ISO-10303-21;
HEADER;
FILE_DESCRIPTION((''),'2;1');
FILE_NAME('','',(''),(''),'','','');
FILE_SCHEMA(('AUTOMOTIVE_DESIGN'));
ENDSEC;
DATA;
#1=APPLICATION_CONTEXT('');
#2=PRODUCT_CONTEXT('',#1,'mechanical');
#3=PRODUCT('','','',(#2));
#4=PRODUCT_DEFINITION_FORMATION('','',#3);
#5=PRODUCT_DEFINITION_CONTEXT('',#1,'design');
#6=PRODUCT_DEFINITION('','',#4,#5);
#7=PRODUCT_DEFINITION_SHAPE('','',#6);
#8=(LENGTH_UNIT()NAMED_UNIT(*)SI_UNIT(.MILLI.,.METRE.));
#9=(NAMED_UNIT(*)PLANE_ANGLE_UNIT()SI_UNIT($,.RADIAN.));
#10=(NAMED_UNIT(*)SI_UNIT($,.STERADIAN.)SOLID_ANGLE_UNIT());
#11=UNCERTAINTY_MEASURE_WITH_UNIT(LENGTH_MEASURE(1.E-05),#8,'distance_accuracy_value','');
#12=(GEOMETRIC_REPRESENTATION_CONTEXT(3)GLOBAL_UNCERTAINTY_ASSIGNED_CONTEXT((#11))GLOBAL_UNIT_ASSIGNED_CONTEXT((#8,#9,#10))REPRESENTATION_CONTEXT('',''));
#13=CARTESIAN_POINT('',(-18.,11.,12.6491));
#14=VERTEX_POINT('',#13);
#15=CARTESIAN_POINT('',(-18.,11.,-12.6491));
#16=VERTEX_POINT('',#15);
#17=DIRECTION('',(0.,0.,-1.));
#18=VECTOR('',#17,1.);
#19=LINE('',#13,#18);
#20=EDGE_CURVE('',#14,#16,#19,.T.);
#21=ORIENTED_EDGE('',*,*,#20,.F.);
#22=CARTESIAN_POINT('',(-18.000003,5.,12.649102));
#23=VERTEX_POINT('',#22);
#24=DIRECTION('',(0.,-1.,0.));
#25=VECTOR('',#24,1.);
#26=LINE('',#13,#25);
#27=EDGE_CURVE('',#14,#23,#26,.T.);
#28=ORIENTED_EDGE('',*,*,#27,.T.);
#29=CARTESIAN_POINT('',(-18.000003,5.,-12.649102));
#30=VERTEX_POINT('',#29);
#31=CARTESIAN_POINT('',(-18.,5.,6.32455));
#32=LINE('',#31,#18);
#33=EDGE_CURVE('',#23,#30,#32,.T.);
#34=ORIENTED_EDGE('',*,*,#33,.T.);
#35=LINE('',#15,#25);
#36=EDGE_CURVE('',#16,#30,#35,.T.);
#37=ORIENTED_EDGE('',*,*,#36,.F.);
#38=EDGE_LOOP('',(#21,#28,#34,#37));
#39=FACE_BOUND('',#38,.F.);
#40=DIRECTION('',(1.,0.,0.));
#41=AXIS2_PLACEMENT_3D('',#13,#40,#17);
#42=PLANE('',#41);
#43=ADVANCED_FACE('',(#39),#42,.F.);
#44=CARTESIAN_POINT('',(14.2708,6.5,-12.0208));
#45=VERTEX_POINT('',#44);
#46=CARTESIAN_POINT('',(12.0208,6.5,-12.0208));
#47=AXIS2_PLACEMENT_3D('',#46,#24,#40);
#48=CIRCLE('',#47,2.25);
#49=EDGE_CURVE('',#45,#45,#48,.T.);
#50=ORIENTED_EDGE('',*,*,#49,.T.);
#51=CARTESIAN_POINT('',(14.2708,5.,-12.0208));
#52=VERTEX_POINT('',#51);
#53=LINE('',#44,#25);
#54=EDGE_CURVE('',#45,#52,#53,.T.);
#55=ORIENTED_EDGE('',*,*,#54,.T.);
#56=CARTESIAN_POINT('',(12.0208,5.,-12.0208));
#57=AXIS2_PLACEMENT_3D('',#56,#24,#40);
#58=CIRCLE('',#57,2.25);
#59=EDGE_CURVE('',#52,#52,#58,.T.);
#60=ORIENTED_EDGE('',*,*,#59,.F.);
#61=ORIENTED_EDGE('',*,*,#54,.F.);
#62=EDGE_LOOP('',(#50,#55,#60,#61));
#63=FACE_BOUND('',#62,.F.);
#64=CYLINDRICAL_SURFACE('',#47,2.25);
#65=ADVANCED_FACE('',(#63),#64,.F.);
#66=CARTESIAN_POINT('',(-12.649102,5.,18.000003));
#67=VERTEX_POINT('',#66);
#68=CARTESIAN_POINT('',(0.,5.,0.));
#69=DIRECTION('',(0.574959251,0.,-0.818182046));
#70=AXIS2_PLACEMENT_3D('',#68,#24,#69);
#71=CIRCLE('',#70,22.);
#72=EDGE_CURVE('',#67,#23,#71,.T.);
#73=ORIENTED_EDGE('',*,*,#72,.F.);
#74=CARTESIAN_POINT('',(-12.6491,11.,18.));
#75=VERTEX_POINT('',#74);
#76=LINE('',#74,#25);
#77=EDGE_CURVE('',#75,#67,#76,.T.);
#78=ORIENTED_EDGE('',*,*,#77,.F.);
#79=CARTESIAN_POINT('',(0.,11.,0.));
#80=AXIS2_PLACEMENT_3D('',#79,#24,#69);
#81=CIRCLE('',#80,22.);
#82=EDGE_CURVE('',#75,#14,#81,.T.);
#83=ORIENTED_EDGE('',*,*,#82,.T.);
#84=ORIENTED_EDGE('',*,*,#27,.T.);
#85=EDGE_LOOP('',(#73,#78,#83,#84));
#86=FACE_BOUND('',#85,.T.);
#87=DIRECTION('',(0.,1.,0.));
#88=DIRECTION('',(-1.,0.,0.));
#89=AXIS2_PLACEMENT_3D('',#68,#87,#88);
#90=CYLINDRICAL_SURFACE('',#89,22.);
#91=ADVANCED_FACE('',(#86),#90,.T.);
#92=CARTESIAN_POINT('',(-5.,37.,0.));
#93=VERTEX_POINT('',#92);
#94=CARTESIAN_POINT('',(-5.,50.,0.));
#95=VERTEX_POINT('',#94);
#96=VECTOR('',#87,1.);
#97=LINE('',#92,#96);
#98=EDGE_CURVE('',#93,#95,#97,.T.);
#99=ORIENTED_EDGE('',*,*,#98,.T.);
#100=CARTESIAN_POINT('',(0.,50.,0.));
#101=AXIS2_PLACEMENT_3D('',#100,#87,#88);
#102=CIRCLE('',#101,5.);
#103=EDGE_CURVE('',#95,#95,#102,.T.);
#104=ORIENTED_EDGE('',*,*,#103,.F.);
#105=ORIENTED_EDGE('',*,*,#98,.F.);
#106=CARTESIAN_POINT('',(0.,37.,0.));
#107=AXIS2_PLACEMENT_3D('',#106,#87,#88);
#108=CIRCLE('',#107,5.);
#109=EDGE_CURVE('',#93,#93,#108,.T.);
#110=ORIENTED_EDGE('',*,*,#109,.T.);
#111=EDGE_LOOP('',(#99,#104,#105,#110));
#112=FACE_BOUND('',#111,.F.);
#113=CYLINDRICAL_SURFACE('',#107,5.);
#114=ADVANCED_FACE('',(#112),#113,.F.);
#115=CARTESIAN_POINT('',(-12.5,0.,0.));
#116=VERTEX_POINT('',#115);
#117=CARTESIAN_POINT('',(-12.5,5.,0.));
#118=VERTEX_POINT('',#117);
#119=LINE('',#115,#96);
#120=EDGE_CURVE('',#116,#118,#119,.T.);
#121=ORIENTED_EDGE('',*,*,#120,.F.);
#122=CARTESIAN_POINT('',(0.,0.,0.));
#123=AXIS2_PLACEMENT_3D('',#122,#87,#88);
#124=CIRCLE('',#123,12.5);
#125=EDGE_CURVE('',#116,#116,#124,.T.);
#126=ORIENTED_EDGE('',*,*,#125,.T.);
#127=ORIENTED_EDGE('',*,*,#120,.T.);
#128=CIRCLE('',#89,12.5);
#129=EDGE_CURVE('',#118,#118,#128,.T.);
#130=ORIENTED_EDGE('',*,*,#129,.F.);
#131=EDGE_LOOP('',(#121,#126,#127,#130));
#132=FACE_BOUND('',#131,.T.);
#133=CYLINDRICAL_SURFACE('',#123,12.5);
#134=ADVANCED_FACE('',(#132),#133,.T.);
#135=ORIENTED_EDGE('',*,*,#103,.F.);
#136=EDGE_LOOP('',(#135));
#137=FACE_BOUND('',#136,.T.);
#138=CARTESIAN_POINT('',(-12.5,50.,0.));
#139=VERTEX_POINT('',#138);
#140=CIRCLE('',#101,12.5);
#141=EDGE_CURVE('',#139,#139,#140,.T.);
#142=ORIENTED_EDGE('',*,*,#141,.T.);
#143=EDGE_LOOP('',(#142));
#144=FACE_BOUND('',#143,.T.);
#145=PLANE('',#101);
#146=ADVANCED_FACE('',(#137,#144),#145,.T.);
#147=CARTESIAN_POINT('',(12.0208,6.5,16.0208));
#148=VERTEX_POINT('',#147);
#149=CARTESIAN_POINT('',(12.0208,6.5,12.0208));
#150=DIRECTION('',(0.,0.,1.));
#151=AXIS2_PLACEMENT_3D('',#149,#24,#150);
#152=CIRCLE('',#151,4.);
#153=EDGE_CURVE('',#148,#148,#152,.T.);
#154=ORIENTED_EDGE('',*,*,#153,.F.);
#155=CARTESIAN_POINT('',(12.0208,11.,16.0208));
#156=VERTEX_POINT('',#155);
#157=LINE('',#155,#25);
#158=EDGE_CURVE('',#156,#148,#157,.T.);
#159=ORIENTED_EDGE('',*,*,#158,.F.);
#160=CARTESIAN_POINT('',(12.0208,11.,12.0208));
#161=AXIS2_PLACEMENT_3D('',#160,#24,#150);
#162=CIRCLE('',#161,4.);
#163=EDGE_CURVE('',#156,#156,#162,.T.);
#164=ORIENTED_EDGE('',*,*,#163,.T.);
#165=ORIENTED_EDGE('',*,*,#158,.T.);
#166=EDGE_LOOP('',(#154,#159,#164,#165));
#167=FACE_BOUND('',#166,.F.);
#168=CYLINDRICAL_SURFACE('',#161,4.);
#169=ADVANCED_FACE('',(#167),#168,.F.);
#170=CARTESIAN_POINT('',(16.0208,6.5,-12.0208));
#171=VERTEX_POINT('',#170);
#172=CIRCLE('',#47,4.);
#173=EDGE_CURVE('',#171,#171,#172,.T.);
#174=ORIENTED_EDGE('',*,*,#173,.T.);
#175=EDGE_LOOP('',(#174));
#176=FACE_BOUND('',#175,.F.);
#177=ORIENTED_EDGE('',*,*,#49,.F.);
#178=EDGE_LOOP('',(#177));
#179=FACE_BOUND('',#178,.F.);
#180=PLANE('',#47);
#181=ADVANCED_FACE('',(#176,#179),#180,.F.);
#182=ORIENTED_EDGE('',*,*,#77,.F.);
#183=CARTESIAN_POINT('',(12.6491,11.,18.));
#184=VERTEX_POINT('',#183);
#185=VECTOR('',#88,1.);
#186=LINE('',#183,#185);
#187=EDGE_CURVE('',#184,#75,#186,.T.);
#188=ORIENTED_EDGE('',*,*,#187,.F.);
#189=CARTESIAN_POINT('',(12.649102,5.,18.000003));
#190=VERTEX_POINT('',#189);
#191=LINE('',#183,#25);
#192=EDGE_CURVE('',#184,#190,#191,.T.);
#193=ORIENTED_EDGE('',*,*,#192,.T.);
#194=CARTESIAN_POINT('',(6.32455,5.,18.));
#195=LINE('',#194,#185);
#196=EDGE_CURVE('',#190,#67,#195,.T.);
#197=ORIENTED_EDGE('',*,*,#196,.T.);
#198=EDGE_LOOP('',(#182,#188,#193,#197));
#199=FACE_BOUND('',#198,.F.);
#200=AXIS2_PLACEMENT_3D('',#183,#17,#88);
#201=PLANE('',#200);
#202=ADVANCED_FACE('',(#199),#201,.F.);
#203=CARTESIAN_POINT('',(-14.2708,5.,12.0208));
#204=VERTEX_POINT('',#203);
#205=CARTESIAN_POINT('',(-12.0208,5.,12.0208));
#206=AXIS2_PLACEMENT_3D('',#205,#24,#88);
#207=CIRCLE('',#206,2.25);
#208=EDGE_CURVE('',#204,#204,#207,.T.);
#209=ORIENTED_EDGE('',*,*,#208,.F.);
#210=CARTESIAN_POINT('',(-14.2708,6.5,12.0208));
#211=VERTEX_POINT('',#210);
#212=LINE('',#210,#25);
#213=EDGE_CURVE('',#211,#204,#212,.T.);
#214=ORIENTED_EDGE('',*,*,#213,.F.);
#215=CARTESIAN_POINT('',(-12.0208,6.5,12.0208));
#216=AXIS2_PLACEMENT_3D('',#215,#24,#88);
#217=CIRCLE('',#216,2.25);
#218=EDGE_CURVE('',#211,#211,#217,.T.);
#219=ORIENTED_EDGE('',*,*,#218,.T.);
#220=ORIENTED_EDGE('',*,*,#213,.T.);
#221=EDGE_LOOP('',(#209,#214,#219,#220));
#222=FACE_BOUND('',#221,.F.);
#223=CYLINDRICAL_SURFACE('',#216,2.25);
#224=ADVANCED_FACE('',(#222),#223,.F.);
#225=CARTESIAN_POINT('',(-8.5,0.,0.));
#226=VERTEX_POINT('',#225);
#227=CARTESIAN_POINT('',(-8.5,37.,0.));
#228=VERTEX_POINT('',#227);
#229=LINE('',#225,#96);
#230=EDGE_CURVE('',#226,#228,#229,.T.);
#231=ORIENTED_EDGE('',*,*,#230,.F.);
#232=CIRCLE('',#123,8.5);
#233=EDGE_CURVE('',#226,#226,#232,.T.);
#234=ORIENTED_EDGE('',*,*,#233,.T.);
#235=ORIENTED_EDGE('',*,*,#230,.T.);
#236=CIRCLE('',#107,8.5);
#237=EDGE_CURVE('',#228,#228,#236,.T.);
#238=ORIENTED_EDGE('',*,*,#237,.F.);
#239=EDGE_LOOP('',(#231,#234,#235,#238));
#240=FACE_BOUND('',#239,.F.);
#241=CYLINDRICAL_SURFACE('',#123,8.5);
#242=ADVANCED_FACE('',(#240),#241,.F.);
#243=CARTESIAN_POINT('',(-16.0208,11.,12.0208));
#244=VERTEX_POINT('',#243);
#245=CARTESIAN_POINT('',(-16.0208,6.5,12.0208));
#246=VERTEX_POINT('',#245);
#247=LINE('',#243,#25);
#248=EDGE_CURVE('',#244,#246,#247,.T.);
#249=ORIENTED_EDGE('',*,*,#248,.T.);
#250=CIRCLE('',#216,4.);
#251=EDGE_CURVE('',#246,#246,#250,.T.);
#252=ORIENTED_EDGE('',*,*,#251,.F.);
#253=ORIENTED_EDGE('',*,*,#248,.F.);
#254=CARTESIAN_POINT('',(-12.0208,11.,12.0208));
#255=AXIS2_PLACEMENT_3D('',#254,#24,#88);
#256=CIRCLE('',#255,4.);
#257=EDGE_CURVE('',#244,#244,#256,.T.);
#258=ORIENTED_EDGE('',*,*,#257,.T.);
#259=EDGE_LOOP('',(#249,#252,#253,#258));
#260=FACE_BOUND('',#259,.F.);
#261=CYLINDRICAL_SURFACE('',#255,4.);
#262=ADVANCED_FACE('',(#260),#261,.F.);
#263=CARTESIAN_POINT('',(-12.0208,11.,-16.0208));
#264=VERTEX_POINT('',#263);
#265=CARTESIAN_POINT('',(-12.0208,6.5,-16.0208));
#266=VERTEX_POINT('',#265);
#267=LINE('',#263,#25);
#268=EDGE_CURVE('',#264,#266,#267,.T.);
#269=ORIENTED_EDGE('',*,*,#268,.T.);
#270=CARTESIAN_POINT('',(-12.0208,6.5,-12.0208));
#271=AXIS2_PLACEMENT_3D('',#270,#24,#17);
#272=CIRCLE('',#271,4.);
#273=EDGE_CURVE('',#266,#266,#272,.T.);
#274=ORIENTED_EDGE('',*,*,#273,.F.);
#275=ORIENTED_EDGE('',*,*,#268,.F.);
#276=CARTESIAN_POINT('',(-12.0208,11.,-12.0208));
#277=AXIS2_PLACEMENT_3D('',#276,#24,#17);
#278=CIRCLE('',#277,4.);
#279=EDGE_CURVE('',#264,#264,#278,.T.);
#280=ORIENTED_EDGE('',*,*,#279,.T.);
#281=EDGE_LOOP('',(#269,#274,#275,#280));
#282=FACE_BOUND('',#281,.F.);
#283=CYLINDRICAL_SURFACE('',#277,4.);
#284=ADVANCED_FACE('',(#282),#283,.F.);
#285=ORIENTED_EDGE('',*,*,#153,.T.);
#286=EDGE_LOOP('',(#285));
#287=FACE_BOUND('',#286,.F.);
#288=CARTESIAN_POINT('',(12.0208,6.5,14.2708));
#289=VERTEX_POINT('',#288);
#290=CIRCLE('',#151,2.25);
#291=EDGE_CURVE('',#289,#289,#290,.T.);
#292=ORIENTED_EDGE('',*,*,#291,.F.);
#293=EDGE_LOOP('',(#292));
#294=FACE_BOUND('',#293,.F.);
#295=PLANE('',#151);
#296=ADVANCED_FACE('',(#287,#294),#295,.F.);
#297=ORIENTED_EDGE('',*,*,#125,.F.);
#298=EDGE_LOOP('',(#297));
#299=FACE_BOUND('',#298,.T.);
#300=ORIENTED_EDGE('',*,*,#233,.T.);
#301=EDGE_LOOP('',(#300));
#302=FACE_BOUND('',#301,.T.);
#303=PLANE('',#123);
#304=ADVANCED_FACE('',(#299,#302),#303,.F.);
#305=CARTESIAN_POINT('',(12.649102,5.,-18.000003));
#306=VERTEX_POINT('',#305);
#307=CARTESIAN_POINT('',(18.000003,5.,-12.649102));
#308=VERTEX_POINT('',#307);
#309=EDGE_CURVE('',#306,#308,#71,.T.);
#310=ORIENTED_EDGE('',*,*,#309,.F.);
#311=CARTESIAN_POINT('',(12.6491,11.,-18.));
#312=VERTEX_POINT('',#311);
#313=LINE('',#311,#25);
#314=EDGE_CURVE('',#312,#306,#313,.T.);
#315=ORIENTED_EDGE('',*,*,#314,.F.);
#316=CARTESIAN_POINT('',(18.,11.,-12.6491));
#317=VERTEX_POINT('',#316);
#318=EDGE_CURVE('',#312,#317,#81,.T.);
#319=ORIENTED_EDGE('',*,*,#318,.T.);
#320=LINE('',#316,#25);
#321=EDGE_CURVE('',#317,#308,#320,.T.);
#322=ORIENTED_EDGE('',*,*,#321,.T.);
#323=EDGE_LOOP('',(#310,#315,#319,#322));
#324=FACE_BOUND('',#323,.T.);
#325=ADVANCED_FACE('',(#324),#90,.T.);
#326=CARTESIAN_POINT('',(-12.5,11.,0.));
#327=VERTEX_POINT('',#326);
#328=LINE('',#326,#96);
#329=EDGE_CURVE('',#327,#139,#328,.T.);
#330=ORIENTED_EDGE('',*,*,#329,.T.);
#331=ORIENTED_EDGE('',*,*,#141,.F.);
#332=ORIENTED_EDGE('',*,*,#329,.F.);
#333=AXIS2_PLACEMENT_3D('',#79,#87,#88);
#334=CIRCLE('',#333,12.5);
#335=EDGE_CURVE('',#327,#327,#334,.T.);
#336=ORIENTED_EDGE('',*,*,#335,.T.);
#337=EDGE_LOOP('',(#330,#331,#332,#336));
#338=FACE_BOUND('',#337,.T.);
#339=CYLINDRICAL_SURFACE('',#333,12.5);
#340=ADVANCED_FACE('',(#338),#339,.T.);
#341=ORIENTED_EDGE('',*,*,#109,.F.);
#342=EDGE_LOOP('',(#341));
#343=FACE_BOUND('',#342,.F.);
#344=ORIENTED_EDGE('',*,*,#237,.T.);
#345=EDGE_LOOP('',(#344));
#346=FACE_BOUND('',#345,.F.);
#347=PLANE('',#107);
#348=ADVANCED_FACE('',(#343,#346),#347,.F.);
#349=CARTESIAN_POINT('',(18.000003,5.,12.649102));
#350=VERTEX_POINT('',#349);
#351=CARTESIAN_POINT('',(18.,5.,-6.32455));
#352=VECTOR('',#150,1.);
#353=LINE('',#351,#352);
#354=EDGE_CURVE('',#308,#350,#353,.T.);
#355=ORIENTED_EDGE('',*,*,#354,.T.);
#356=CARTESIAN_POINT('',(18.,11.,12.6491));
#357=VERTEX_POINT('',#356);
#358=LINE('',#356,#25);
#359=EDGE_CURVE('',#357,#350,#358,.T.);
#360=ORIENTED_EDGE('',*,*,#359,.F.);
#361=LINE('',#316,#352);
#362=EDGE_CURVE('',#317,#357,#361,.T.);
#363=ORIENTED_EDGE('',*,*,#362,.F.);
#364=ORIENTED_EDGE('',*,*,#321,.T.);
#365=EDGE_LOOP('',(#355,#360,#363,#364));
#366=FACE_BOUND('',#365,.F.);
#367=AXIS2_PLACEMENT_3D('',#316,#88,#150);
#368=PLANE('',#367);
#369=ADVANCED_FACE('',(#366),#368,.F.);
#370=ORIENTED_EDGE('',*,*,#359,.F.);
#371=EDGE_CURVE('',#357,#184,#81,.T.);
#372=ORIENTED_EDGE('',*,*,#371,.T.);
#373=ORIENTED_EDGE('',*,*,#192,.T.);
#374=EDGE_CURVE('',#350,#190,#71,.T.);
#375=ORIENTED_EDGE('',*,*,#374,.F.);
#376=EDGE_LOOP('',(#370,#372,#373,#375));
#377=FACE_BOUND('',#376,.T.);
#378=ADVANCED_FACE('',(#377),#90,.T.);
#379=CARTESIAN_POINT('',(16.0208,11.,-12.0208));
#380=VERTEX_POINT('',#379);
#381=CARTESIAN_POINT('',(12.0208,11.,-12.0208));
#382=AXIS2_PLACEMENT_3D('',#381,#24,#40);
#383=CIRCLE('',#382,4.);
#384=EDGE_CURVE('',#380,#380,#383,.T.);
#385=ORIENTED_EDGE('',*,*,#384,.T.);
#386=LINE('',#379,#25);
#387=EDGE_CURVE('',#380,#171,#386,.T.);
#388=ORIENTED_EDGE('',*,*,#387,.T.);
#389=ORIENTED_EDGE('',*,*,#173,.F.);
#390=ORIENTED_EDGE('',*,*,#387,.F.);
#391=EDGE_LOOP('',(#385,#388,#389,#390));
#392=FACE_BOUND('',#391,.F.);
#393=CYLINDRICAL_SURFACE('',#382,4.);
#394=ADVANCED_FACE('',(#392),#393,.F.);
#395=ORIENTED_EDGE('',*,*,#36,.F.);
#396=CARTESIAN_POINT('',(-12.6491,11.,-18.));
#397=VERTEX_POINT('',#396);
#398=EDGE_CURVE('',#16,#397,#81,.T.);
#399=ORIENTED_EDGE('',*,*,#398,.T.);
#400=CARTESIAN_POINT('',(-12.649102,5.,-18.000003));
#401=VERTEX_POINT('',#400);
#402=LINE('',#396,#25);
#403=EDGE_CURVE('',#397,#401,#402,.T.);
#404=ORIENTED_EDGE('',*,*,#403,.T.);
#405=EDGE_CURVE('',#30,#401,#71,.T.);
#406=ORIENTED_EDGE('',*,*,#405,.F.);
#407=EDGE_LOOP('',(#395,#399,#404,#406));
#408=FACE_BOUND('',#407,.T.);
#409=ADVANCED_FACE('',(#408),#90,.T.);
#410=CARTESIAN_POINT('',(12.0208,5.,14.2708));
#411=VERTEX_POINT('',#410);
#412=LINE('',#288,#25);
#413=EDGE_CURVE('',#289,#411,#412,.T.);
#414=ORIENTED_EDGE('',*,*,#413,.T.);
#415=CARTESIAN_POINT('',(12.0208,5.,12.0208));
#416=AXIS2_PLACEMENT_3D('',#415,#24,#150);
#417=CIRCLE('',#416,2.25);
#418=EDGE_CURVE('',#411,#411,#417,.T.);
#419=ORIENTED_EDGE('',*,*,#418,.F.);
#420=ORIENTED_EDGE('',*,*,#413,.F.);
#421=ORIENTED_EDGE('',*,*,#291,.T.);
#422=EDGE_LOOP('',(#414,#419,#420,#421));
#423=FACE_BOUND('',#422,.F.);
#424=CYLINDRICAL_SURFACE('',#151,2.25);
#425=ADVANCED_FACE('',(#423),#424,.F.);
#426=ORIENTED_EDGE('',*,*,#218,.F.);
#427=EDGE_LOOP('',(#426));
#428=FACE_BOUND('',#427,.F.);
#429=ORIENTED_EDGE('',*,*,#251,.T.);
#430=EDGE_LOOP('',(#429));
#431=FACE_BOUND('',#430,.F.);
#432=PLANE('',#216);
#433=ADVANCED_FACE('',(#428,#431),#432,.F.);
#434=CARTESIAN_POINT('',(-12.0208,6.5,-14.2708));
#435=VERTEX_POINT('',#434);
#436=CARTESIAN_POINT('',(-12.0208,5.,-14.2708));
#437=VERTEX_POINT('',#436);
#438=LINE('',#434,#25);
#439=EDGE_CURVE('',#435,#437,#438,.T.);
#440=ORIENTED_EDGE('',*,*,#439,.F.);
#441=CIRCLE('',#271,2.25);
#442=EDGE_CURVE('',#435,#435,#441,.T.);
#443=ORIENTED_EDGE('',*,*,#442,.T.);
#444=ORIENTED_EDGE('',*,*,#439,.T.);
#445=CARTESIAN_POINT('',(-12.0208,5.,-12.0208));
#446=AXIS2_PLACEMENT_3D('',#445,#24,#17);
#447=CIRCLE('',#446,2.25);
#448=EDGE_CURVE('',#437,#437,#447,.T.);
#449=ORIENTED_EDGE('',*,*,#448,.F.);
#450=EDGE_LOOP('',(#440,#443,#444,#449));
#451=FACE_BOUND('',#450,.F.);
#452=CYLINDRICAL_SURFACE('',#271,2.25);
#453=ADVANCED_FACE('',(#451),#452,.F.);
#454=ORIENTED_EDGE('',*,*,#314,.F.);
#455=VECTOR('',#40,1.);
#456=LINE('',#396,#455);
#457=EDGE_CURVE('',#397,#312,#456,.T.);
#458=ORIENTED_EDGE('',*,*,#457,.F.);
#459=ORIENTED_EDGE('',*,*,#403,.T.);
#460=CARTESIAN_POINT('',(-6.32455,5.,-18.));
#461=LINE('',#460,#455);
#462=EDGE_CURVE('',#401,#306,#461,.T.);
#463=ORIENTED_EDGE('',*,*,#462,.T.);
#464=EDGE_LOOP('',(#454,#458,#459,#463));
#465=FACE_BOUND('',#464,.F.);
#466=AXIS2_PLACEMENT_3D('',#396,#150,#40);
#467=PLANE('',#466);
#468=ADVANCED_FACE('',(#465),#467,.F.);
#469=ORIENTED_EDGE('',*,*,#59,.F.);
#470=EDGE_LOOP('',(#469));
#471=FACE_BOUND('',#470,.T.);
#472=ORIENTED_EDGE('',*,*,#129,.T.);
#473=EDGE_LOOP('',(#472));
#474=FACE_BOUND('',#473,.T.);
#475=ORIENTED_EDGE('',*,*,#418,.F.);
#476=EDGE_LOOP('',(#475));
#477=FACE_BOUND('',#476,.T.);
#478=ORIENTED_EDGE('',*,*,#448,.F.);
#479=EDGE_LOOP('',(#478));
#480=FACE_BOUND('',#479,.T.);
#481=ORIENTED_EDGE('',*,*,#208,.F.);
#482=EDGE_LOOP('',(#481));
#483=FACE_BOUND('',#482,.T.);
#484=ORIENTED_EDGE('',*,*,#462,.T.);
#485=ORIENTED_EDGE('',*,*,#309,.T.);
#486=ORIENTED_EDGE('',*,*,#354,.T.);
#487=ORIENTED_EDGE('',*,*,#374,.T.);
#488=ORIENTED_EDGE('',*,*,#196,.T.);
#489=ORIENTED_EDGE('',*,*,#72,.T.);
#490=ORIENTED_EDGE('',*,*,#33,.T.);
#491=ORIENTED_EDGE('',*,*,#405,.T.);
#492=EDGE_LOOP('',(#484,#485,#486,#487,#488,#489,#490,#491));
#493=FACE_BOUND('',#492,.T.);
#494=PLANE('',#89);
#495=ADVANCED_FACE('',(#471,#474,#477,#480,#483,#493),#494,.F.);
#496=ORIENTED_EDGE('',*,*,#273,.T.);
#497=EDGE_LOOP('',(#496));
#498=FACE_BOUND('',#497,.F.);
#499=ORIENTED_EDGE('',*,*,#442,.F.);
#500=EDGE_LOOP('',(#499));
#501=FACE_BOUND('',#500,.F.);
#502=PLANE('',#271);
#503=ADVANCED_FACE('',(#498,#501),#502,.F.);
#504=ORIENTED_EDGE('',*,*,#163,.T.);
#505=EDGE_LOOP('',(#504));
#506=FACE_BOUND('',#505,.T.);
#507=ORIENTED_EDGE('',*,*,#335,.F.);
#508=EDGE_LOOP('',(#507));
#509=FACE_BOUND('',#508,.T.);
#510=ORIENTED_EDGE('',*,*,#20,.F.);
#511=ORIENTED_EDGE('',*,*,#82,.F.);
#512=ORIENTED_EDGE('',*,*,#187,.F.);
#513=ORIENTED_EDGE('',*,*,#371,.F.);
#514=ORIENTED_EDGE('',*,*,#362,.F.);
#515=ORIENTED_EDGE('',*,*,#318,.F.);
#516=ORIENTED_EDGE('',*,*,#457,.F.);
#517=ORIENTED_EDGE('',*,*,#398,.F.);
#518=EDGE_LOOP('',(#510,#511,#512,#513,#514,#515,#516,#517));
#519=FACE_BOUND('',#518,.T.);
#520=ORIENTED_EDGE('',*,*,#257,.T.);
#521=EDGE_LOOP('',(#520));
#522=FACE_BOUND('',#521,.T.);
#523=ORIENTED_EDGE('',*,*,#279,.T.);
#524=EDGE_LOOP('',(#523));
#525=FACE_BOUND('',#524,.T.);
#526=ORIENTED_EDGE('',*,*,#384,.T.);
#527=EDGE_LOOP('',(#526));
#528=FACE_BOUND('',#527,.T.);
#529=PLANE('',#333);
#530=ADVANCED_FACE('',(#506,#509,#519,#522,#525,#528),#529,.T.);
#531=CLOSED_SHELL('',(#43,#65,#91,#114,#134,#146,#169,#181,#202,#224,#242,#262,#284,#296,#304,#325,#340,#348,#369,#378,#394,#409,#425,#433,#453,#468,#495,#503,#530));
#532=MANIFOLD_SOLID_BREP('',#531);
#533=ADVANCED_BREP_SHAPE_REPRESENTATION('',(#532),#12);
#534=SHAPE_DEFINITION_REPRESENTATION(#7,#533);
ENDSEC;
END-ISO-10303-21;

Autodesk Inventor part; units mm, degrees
ref_plane "YZ Plane" through (0, 0, 0) normal (1, 0, 0) x (0, 1, 0)
ref_plane "XZ Plane" through (0, 0, 0) normal (0, 1, 0) x (-1, 0, 0)
ref_plane "XY Plane" through (0, 0, 0) normal (0, 0, 1) x (1, 0, 0)
sketch "Esboço1" plane through (0, 0, 0) normal (0, 0, 1) x (1, 0, 0)
  line L0 (0, 0) -> (0, 50)
  line L1 (-8.5, 0) -> (-8.5, 37)
  line L2 (-8.5, 37) -> (-5, 37)
  line L3 (-5, 37) -> (-5, 50)
  line L4 (-8.5, 0) -> (-12.5, 0)
  line L5 (-12.5, 0) -> (-12.5, 5)
  line L6 (-12.5, 5) -> (-22, 5)
  line L7 (-22, 5) -> (-22, 11)
  line L8 (-22, 11) -> (-12.5, 11)
  line L9 (-12.5, 11) -> (-12.5, 50)
  line L10 (-12.5, 50) -> (-5, 50)
  dimension "d0" = 50
  dimension "d1" = 17
  dimension "d2" = 10
  dimension "d3" = 13
  dimension "d4" = 25
  dimension "d5" = 44
  dimension "d6" = 5
  dimension "d7" = 6
revolve "Revolução1" add sketch "Esboço1" angle 360 about axis through (0, 0, 0) along (0, 1, 0)
sketch "Esboço2" plane through (0, 11, 0) normal (0, 1, 0) x (1, 0, 0)
  circle A0 centre (0, 0) radius 22 projected
  circle A1 centre (0, 0) radius 12.5 projected
  line L0 (-12.6491, 18) -> (12.6491, 18)
  arc A2 (12.6491, 18) -> (-12.6491, 18) centre (0, 0) ccw
  dimension "d9" = 18
extrude "Extrusão1" cut sketch "Esboço2" against normal up to next contours L0 A0 picked at (-0.8962, 19.2784)
pattern_circular "Padrão circular1" count 4 over 360 about axis through (0, -10, 0) along (0, 1, 0) of "Extrusão1"
sketch "Esboço3" plane through (-12.6491, 11, -18) normal (0, 1, 0) x (1, 0, 0)
  circle A0 centre (12.6491, -18) radius 12.5 projected
  line L0 (24.6699, -30.0208) -> (12.6491, -18)
  line L1 (12.6491, -18) -> (30.6491, -18)
  line L2 (30.6491, -5.3509) -> (30.6491, -30.6491) projected
  dimension "d15" = 45
  dimension "d16" = 17
hole "Furo1" at (12.0208, 11, 12.0208) direction (0, -1, 0) diameter 4.5 end through all counterbore diameter 8 counterbore depth 4.5 clearance for "Socket Head Cap Screw DIN EN ISO 4762" size "M4" standard "DIN"
pattern_circular "Padrão circular2" count 4 over 360 about axis through (0, -10, 0) along (0, 1, 0) of "Furo1"
